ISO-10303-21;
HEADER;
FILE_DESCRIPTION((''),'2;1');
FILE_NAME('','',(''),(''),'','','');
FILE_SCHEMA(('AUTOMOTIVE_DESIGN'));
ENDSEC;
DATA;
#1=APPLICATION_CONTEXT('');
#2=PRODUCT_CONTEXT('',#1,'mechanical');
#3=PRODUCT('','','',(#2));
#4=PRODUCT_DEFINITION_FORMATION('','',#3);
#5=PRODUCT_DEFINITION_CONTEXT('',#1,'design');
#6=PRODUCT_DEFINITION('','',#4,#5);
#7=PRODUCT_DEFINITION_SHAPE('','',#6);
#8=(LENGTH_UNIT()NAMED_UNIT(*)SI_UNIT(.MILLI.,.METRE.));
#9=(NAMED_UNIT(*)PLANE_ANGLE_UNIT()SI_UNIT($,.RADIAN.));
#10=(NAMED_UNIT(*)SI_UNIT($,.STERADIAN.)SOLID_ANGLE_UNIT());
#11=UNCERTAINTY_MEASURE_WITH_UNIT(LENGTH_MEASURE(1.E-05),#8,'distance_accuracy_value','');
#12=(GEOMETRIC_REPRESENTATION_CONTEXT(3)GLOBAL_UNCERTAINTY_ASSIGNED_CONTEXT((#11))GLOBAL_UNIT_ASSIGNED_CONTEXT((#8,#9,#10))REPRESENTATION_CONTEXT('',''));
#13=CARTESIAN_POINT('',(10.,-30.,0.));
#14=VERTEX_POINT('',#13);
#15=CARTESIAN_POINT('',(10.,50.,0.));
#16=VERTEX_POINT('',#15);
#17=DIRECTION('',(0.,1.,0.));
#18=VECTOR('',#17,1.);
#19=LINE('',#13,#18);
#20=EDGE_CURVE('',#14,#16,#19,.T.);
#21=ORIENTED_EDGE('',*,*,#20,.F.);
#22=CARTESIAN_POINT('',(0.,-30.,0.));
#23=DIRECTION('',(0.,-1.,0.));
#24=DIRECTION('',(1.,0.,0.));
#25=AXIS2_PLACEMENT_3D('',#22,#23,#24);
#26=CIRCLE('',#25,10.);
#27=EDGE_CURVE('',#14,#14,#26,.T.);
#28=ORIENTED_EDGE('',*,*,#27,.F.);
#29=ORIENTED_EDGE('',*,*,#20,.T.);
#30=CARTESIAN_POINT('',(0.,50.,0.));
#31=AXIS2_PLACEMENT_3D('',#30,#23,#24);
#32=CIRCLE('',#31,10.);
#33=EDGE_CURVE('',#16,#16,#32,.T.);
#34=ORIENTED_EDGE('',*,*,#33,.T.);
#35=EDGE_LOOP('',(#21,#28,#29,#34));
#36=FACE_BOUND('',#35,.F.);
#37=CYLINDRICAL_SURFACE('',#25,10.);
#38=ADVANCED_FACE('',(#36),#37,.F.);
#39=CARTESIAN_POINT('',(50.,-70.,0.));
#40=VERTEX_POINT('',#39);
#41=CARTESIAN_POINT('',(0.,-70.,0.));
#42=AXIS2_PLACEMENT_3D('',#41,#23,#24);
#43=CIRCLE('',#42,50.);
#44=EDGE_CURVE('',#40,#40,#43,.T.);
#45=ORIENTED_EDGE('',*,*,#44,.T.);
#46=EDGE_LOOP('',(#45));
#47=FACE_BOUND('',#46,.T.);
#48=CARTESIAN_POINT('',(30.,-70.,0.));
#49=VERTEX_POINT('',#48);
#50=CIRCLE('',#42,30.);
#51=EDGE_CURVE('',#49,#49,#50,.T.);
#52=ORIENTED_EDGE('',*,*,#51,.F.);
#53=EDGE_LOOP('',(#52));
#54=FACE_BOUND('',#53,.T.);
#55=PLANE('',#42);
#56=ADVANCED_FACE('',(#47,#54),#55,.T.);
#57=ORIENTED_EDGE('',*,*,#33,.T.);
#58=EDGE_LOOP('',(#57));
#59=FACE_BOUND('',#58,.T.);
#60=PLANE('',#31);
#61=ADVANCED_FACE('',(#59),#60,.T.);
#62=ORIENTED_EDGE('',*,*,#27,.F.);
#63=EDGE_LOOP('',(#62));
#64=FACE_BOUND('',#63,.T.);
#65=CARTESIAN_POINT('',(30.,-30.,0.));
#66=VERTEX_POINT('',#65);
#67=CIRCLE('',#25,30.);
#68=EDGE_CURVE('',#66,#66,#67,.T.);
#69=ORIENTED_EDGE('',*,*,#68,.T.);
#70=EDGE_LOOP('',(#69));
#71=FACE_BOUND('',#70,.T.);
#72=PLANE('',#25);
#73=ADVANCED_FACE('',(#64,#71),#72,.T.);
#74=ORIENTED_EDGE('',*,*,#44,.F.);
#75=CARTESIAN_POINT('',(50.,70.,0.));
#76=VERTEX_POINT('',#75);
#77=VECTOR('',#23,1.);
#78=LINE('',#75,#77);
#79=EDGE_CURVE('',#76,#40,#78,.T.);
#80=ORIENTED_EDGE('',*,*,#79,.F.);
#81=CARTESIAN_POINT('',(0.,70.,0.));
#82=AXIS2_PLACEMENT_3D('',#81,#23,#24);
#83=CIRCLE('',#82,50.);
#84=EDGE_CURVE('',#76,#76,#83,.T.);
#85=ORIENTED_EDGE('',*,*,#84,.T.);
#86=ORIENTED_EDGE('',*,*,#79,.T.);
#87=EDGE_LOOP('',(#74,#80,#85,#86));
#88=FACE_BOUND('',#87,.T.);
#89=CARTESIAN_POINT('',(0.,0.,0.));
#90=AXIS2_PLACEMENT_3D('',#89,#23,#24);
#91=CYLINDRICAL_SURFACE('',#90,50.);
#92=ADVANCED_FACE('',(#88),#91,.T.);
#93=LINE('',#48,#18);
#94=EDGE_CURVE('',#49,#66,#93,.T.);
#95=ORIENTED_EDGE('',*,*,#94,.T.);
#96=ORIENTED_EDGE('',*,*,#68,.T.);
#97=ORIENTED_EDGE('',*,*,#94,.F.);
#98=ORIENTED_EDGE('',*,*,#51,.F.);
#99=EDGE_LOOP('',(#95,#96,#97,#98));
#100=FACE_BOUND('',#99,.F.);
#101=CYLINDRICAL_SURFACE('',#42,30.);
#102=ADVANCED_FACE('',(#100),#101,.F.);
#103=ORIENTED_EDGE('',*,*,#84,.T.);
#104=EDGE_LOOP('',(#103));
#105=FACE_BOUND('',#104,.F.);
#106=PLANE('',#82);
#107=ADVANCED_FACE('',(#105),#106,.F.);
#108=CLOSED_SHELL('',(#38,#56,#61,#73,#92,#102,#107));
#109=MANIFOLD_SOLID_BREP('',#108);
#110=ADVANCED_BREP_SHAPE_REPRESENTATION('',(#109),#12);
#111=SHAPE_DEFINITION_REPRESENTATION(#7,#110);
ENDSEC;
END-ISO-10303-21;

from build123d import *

# Parameters (mm, degrees)
F0_R     = 50
F1_DEPTH = 70
F2_R     = 30
F3_DEPTH = 40
F4_R     = 10
F5_DEPTH = 80


with BuildPart() as f1:
    # F0 (on Front) → F1 (new body, symmetric)
    with BuildSketch(Plane.XZ):
        Circle(F0_R)
    extrude(amount=F1_DEPTH, both=True)

    # F2 (on face) → F3 (cut)
    with BuildSketch(Plane.XZ.offset(70)):
        Circle(F2_R)
    extrude(amount=-F3_DEPTH, mode=Mode.SUBTRACT)

    # F4 (on face) → F5 (cut)
    with BuildSketch(Plane.XZ.offset(30)):
        Circle(F4_R)
    extrude(amount=-F5_DEPTH, mode=Mode.SUBTRACT)


solid = f1.part
